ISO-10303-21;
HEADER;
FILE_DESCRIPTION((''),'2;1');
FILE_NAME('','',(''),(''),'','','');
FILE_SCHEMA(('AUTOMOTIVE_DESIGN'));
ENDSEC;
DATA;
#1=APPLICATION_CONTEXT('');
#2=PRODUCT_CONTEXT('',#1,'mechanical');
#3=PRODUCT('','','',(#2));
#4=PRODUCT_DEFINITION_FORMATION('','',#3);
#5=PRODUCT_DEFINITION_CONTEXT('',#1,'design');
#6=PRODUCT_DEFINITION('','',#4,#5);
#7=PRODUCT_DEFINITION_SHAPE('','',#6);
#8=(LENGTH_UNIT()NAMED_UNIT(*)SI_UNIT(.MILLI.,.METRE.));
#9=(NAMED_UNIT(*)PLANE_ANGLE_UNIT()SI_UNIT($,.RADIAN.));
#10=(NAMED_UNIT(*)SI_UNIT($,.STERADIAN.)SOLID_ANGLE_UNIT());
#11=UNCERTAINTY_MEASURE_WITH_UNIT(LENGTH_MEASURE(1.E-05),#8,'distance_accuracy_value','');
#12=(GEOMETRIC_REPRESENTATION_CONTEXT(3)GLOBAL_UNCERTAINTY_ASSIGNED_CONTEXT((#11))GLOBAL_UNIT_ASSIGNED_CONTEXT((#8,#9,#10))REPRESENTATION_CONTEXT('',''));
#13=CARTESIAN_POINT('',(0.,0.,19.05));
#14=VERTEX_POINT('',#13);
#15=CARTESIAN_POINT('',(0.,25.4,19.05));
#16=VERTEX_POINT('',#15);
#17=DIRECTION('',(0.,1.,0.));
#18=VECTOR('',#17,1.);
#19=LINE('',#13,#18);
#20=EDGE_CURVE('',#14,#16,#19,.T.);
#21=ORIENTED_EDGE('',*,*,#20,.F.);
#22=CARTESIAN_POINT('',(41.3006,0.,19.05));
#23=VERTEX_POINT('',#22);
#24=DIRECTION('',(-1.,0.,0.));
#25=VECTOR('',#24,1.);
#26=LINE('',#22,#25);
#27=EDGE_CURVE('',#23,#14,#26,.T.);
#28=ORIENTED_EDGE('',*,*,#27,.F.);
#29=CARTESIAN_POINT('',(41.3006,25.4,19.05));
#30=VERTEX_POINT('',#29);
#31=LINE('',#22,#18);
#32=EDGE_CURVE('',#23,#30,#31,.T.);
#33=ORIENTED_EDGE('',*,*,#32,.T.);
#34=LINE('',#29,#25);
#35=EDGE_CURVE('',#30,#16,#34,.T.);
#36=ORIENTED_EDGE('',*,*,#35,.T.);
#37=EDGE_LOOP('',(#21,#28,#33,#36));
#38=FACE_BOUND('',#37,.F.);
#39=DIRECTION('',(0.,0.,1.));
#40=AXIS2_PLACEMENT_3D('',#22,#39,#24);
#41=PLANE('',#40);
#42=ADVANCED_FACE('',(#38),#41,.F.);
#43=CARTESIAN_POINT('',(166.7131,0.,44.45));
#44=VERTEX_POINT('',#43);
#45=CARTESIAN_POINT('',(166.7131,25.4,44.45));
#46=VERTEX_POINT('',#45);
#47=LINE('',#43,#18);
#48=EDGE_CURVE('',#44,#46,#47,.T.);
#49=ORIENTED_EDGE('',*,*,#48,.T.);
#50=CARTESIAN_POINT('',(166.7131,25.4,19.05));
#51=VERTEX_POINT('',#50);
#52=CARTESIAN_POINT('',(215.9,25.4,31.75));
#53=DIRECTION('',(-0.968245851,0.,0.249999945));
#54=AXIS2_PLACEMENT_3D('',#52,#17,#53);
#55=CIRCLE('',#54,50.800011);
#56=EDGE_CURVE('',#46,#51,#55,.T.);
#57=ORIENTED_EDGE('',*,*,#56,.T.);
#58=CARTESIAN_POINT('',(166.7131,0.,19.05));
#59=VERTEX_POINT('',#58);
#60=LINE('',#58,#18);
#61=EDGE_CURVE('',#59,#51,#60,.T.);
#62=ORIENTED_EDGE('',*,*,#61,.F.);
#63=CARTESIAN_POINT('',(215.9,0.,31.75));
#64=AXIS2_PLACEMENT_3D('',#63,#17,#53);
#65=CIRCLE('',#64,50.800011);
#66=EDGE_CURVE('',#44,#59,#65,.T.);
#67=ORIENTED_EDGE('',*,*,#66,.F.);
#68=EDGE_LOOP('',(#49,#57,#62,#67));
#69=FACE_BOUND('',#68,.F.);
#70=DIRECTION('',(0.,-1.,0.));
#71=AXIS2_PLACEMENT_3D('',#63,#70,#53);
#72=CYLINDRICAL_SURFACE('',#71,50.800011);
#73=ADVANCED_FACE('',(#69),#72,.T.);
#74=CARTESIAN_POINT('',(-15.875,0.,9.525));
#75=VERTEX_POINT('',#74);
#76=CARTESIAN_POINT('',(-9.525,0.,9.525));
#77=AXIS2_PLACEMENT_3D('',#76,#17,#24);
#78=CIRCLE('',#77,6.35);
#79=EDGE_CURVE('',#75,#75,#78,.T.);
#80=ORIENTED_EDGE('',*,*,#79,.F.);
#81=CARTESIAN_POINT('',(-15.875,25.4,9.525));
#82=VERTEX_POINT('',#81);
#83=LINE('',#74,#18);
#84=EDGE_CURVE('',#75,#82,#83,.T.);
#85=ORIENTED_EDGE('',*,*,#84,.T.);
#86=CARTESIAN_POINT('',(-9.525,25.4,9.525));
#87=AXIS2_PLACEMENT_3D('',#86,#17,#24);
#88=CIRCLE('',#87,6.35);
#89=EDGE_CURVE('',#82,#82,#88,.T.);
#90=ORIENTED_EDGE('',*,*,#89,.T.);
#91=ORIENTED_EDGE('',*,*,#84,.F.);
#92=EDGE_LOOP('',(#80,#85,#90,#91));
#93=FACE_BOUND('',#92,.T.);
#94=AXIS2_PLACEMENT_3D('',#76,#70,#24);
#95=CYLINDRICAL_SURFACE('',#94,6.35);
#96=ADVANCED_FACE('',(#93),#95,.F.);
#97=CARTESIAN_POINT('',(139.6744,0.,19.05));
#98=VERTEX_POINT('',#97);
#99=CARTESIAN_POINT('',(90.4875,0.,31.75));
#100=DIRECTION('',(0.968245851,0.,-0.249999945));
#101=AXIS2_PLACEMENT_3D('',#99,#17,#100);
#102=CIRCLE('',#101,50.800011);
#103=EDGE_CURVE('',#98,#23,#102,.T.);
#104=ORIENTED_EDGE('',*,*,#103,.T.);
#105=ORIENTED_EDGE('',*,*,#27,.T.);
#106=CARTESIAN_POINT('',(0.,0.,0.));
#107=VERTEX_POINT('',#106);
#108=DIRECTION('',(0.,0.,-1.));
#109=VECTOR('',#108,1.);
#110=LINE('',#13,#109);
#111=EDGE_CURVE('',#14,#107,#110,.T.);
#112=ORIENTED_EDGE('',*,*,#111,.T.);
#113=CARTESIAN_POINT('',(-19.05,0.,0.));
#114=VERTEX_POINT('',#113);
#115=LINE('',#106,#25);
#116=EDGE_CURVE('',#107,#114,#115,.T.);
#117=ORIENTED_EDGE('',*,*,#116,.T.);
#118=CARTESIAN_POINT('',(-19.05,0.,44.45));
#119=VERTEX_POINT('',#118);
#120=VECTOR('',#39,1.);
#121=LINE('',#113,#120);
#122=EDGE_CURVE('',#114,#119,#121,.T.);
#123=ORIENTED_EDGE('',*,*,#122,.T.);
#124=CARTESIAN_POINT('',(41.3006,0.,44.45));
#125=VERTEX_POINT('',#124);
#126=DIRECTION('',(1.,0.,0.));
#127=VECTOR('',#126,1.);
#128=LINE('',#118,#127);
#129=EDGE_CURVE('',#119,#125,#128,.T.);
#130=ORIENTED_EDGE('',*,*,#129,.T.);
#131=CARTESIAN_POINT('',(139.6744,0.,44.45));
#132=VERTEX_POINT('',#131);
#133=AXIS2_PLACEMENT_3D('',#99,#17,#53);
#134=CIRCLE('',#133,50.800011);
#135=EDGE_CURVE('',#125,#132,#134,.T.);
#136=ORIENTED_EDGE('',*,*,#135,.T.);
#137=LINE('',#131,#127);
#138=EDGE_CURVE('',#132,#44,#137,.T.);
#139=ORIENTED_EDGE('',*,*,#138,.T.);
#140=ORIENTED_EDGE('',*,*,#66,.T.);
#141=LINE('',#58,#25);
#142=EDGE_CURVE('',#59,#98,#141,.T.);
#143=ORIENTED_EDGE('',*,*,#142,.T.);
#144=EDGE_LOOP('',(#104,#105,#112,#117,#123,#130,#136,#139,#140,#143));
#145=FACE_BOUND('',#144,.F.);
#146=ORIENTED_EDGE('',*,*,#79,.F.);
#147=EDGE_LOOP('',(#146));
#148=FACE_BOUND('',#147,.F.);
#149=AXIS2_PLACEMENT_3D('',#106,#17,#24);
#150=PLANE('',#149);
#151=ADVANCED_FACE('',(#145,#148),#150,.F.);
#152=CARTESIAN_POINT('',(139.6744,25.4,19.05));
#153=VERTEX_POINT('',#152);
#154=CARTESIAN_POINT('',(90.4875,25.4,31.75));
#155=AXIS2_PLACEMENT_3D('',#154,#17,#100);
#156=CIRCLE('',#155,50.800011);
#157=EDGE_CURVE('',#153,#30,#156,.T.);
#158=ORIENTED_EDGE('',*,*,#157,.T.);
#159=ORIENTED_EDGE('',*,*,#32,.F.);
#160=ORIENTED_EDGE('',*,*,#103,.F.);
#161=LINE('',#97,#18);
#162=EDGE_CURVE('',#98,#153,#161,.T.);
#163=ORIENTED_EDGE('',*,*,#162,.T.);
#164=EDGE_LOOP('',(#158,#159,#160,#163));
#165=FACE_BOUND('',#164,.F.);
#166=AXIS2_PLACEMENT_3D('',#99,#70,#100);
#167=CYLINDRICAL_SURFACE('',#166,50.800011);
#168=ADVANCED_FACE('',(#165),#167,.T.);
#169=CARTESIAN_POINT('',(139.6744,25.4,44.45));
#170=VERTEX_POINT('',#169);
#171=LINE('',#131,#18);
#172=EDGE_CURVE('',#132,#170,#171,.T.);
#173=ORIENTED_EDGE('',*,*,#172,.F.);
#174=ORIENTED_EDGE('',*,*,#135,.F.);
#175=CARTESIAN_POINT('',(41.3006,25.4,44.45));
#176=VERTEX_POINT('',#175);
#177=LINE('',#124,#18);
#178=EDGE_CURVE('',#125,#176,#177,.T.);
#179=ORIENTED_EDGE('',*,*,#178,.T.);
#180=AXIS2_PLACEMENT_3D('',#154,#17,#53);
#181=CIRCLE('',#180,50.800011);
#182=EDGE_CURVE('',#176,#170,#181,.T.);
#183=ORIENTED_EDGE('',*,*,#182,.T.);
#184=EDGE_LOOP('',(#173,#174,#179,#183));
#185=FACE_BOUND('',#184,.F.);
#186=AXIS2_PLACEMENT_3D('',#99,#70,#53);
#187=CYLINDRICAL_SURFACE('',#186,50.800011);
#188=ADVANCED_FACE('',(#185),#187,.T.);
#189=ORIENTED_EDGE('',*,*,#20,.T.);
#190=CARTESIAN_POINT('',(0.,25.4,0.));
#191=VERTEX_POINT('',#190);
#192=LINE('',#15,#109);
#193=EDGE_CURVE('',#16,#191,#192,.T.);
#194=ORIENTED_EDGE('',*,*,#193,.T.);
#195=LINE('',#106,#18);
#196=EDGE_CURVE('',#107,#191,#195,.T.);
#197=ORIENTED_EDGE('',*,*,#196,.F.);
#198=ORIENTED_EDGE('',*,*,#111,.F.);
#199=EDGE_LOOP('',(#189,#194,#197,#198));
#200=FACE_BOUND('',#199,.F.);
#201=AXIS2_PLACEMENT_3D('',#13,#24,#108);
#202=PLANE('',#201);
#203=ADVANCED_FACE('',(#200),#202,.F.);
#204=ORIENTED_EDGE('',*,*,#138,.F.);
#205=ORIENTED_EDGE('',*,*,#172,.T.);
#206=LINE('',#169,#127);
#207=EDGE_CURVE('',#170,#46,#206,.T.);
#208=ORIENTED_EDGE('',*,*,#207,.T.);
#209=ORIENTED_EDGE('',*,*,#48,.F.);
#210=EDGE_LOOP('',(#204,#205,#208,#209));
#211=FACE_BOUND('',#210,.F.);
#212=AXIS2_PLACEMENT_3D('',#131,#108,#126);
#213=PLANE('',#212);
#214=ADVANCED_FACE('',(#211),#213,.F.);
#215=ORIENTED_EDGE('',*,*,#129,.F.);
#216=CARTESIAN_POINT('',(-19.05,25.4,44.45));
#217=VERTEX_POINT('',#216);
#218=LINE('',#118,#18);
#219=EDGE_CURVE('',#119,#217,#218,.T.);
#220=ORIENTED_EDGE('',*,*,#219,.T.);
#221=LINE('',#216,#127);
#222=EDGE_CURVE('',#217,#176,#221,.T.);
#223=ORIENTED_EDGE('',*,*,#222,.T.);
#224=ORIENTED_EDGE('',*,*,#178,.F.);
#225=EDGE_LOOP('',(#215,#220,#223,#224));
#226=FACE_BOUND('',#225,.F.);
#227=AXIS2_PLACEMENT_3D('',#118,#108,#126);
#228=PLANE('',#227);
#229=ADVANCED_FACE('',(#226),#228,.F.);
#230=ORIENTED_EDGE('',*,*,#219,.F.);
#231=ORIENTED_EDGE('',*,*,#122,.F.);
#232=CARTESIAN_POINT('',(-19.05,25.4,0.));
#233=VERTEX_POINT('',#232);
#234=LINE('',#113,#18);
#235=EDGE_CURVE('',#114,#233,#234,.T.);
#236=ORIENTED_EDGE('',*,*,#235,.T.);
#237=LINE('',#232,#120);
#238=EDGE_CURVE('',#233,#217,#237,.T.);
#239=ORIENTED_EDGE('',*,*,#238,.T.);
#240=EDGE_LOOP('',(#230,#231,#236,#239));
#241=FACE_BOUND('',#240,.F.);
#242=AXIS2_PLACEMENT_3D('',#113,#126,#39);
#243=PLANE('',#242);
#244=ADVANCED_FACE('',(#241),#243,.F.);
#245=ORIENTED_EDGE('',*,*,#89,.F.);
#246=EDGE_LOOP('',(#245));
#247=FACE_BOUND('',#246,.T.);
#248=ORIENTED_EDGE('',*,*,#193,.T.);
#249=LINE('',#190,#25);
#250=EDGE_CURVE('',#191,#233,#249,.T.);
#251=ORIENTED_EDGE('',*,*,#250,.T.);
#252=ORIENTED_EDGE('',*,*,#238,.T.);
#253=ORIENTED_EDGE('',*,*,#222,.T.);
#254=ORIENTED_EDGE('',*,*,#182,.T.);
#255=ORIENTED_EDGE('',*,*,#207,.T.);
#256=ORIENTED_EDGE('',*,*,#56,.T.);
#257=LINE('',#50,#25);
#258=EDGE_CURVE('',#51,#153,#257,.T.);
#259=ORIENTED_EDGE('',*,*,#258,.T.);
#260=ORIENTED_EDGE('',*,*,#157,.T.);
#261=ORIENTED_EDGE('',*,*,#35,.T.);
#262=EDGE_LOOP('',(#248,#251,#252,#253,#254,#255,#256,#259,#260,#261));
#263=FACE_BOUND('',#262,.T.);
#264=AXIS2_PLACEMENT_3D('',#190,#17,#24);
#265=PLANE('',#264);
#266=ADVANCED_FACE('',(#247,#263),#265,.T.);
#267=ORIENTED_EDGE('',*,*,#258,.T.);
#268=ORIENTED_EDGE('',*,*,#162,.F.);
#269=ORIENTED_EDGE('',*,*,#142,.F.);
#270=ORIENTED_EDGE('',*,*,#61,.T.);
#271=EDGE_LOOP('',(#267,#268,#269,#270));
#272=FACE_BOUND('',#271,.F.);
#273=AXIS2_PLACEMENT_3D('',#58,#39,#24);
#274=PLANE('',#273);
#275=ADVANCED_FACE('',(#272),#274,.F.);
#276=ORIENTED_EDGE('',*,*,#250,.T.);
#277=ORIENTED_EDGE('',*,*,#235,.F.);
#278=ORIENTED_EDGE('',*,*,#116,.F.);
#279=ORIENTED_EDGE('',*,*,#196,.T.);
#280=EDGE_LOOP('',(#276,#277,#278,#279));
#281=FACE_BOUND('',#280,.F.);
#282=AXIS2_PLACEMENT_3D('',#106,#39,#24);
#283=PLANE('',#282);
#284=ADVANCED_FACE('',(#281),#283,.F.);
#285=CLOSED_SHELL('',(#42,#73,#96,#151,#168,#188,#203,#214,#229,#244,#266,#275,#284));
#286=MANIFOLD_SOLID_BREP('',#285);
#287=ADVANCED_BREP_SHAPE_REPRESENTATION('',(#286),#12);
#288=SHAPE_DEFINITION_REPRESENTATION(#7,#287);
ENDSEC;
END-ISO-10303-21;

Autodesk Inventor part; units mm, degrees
ref_plane "YZ Plane" through (0, 0, 0) normal (1, 0, 0) x (0, 1, 0)
ref_plane "XZ Plane" through (0, 0, 0) normal (0, 1, 0) x (-1, 0, 0)
ref_plane "XY Plane" through (0, 0, 0) normal (0, 0, 1) x (1, 0, 0)
sketch "Sketch1" plane through (0, 0, 0) normal (0, 1, 0) x (-1, 0, 0)
  line L0 (0, 0) -> (19.05, 0)
  line L1 (19.05, 0) -> (19.05, 44.45)
  line L2 (0, 19.05) -> (0, 0)
  circle A0 centre (9.525, 9.525) radius 6.35
  arc A1 (-166.7131, 44.45) -> (-166.7131, 19.05) centre (-215.9, 31.75) ccw
  line L3 (19.05, 44.45) -> (-41.3006, 44.45)
  line L4 (-139.6744, 44.45) -> (-166.7131, 44.45)
  line L5 (-166.7131, 19.05) -> (-139.6744, 19.05)
  line L6 (-41.3006, 19.05) -> (0, 19.05)
  arc A2 (-41.3006, 44.45) -> (-139.6744, 44.45) centre (-90.4875, 31.75) ccw
  arc A3 (-139.6744, 19.05) -> (-41.3006, 19.05) centre (-90.4875, 31.75) ccw
  dimension "d0" = 19.05
  dimension "d2" = 12.7
  dimension "d5" = 44.45
extrude "Extrusion1" add sketch "Sketch1" along normal blind 25.4
properties part number "wheels"
